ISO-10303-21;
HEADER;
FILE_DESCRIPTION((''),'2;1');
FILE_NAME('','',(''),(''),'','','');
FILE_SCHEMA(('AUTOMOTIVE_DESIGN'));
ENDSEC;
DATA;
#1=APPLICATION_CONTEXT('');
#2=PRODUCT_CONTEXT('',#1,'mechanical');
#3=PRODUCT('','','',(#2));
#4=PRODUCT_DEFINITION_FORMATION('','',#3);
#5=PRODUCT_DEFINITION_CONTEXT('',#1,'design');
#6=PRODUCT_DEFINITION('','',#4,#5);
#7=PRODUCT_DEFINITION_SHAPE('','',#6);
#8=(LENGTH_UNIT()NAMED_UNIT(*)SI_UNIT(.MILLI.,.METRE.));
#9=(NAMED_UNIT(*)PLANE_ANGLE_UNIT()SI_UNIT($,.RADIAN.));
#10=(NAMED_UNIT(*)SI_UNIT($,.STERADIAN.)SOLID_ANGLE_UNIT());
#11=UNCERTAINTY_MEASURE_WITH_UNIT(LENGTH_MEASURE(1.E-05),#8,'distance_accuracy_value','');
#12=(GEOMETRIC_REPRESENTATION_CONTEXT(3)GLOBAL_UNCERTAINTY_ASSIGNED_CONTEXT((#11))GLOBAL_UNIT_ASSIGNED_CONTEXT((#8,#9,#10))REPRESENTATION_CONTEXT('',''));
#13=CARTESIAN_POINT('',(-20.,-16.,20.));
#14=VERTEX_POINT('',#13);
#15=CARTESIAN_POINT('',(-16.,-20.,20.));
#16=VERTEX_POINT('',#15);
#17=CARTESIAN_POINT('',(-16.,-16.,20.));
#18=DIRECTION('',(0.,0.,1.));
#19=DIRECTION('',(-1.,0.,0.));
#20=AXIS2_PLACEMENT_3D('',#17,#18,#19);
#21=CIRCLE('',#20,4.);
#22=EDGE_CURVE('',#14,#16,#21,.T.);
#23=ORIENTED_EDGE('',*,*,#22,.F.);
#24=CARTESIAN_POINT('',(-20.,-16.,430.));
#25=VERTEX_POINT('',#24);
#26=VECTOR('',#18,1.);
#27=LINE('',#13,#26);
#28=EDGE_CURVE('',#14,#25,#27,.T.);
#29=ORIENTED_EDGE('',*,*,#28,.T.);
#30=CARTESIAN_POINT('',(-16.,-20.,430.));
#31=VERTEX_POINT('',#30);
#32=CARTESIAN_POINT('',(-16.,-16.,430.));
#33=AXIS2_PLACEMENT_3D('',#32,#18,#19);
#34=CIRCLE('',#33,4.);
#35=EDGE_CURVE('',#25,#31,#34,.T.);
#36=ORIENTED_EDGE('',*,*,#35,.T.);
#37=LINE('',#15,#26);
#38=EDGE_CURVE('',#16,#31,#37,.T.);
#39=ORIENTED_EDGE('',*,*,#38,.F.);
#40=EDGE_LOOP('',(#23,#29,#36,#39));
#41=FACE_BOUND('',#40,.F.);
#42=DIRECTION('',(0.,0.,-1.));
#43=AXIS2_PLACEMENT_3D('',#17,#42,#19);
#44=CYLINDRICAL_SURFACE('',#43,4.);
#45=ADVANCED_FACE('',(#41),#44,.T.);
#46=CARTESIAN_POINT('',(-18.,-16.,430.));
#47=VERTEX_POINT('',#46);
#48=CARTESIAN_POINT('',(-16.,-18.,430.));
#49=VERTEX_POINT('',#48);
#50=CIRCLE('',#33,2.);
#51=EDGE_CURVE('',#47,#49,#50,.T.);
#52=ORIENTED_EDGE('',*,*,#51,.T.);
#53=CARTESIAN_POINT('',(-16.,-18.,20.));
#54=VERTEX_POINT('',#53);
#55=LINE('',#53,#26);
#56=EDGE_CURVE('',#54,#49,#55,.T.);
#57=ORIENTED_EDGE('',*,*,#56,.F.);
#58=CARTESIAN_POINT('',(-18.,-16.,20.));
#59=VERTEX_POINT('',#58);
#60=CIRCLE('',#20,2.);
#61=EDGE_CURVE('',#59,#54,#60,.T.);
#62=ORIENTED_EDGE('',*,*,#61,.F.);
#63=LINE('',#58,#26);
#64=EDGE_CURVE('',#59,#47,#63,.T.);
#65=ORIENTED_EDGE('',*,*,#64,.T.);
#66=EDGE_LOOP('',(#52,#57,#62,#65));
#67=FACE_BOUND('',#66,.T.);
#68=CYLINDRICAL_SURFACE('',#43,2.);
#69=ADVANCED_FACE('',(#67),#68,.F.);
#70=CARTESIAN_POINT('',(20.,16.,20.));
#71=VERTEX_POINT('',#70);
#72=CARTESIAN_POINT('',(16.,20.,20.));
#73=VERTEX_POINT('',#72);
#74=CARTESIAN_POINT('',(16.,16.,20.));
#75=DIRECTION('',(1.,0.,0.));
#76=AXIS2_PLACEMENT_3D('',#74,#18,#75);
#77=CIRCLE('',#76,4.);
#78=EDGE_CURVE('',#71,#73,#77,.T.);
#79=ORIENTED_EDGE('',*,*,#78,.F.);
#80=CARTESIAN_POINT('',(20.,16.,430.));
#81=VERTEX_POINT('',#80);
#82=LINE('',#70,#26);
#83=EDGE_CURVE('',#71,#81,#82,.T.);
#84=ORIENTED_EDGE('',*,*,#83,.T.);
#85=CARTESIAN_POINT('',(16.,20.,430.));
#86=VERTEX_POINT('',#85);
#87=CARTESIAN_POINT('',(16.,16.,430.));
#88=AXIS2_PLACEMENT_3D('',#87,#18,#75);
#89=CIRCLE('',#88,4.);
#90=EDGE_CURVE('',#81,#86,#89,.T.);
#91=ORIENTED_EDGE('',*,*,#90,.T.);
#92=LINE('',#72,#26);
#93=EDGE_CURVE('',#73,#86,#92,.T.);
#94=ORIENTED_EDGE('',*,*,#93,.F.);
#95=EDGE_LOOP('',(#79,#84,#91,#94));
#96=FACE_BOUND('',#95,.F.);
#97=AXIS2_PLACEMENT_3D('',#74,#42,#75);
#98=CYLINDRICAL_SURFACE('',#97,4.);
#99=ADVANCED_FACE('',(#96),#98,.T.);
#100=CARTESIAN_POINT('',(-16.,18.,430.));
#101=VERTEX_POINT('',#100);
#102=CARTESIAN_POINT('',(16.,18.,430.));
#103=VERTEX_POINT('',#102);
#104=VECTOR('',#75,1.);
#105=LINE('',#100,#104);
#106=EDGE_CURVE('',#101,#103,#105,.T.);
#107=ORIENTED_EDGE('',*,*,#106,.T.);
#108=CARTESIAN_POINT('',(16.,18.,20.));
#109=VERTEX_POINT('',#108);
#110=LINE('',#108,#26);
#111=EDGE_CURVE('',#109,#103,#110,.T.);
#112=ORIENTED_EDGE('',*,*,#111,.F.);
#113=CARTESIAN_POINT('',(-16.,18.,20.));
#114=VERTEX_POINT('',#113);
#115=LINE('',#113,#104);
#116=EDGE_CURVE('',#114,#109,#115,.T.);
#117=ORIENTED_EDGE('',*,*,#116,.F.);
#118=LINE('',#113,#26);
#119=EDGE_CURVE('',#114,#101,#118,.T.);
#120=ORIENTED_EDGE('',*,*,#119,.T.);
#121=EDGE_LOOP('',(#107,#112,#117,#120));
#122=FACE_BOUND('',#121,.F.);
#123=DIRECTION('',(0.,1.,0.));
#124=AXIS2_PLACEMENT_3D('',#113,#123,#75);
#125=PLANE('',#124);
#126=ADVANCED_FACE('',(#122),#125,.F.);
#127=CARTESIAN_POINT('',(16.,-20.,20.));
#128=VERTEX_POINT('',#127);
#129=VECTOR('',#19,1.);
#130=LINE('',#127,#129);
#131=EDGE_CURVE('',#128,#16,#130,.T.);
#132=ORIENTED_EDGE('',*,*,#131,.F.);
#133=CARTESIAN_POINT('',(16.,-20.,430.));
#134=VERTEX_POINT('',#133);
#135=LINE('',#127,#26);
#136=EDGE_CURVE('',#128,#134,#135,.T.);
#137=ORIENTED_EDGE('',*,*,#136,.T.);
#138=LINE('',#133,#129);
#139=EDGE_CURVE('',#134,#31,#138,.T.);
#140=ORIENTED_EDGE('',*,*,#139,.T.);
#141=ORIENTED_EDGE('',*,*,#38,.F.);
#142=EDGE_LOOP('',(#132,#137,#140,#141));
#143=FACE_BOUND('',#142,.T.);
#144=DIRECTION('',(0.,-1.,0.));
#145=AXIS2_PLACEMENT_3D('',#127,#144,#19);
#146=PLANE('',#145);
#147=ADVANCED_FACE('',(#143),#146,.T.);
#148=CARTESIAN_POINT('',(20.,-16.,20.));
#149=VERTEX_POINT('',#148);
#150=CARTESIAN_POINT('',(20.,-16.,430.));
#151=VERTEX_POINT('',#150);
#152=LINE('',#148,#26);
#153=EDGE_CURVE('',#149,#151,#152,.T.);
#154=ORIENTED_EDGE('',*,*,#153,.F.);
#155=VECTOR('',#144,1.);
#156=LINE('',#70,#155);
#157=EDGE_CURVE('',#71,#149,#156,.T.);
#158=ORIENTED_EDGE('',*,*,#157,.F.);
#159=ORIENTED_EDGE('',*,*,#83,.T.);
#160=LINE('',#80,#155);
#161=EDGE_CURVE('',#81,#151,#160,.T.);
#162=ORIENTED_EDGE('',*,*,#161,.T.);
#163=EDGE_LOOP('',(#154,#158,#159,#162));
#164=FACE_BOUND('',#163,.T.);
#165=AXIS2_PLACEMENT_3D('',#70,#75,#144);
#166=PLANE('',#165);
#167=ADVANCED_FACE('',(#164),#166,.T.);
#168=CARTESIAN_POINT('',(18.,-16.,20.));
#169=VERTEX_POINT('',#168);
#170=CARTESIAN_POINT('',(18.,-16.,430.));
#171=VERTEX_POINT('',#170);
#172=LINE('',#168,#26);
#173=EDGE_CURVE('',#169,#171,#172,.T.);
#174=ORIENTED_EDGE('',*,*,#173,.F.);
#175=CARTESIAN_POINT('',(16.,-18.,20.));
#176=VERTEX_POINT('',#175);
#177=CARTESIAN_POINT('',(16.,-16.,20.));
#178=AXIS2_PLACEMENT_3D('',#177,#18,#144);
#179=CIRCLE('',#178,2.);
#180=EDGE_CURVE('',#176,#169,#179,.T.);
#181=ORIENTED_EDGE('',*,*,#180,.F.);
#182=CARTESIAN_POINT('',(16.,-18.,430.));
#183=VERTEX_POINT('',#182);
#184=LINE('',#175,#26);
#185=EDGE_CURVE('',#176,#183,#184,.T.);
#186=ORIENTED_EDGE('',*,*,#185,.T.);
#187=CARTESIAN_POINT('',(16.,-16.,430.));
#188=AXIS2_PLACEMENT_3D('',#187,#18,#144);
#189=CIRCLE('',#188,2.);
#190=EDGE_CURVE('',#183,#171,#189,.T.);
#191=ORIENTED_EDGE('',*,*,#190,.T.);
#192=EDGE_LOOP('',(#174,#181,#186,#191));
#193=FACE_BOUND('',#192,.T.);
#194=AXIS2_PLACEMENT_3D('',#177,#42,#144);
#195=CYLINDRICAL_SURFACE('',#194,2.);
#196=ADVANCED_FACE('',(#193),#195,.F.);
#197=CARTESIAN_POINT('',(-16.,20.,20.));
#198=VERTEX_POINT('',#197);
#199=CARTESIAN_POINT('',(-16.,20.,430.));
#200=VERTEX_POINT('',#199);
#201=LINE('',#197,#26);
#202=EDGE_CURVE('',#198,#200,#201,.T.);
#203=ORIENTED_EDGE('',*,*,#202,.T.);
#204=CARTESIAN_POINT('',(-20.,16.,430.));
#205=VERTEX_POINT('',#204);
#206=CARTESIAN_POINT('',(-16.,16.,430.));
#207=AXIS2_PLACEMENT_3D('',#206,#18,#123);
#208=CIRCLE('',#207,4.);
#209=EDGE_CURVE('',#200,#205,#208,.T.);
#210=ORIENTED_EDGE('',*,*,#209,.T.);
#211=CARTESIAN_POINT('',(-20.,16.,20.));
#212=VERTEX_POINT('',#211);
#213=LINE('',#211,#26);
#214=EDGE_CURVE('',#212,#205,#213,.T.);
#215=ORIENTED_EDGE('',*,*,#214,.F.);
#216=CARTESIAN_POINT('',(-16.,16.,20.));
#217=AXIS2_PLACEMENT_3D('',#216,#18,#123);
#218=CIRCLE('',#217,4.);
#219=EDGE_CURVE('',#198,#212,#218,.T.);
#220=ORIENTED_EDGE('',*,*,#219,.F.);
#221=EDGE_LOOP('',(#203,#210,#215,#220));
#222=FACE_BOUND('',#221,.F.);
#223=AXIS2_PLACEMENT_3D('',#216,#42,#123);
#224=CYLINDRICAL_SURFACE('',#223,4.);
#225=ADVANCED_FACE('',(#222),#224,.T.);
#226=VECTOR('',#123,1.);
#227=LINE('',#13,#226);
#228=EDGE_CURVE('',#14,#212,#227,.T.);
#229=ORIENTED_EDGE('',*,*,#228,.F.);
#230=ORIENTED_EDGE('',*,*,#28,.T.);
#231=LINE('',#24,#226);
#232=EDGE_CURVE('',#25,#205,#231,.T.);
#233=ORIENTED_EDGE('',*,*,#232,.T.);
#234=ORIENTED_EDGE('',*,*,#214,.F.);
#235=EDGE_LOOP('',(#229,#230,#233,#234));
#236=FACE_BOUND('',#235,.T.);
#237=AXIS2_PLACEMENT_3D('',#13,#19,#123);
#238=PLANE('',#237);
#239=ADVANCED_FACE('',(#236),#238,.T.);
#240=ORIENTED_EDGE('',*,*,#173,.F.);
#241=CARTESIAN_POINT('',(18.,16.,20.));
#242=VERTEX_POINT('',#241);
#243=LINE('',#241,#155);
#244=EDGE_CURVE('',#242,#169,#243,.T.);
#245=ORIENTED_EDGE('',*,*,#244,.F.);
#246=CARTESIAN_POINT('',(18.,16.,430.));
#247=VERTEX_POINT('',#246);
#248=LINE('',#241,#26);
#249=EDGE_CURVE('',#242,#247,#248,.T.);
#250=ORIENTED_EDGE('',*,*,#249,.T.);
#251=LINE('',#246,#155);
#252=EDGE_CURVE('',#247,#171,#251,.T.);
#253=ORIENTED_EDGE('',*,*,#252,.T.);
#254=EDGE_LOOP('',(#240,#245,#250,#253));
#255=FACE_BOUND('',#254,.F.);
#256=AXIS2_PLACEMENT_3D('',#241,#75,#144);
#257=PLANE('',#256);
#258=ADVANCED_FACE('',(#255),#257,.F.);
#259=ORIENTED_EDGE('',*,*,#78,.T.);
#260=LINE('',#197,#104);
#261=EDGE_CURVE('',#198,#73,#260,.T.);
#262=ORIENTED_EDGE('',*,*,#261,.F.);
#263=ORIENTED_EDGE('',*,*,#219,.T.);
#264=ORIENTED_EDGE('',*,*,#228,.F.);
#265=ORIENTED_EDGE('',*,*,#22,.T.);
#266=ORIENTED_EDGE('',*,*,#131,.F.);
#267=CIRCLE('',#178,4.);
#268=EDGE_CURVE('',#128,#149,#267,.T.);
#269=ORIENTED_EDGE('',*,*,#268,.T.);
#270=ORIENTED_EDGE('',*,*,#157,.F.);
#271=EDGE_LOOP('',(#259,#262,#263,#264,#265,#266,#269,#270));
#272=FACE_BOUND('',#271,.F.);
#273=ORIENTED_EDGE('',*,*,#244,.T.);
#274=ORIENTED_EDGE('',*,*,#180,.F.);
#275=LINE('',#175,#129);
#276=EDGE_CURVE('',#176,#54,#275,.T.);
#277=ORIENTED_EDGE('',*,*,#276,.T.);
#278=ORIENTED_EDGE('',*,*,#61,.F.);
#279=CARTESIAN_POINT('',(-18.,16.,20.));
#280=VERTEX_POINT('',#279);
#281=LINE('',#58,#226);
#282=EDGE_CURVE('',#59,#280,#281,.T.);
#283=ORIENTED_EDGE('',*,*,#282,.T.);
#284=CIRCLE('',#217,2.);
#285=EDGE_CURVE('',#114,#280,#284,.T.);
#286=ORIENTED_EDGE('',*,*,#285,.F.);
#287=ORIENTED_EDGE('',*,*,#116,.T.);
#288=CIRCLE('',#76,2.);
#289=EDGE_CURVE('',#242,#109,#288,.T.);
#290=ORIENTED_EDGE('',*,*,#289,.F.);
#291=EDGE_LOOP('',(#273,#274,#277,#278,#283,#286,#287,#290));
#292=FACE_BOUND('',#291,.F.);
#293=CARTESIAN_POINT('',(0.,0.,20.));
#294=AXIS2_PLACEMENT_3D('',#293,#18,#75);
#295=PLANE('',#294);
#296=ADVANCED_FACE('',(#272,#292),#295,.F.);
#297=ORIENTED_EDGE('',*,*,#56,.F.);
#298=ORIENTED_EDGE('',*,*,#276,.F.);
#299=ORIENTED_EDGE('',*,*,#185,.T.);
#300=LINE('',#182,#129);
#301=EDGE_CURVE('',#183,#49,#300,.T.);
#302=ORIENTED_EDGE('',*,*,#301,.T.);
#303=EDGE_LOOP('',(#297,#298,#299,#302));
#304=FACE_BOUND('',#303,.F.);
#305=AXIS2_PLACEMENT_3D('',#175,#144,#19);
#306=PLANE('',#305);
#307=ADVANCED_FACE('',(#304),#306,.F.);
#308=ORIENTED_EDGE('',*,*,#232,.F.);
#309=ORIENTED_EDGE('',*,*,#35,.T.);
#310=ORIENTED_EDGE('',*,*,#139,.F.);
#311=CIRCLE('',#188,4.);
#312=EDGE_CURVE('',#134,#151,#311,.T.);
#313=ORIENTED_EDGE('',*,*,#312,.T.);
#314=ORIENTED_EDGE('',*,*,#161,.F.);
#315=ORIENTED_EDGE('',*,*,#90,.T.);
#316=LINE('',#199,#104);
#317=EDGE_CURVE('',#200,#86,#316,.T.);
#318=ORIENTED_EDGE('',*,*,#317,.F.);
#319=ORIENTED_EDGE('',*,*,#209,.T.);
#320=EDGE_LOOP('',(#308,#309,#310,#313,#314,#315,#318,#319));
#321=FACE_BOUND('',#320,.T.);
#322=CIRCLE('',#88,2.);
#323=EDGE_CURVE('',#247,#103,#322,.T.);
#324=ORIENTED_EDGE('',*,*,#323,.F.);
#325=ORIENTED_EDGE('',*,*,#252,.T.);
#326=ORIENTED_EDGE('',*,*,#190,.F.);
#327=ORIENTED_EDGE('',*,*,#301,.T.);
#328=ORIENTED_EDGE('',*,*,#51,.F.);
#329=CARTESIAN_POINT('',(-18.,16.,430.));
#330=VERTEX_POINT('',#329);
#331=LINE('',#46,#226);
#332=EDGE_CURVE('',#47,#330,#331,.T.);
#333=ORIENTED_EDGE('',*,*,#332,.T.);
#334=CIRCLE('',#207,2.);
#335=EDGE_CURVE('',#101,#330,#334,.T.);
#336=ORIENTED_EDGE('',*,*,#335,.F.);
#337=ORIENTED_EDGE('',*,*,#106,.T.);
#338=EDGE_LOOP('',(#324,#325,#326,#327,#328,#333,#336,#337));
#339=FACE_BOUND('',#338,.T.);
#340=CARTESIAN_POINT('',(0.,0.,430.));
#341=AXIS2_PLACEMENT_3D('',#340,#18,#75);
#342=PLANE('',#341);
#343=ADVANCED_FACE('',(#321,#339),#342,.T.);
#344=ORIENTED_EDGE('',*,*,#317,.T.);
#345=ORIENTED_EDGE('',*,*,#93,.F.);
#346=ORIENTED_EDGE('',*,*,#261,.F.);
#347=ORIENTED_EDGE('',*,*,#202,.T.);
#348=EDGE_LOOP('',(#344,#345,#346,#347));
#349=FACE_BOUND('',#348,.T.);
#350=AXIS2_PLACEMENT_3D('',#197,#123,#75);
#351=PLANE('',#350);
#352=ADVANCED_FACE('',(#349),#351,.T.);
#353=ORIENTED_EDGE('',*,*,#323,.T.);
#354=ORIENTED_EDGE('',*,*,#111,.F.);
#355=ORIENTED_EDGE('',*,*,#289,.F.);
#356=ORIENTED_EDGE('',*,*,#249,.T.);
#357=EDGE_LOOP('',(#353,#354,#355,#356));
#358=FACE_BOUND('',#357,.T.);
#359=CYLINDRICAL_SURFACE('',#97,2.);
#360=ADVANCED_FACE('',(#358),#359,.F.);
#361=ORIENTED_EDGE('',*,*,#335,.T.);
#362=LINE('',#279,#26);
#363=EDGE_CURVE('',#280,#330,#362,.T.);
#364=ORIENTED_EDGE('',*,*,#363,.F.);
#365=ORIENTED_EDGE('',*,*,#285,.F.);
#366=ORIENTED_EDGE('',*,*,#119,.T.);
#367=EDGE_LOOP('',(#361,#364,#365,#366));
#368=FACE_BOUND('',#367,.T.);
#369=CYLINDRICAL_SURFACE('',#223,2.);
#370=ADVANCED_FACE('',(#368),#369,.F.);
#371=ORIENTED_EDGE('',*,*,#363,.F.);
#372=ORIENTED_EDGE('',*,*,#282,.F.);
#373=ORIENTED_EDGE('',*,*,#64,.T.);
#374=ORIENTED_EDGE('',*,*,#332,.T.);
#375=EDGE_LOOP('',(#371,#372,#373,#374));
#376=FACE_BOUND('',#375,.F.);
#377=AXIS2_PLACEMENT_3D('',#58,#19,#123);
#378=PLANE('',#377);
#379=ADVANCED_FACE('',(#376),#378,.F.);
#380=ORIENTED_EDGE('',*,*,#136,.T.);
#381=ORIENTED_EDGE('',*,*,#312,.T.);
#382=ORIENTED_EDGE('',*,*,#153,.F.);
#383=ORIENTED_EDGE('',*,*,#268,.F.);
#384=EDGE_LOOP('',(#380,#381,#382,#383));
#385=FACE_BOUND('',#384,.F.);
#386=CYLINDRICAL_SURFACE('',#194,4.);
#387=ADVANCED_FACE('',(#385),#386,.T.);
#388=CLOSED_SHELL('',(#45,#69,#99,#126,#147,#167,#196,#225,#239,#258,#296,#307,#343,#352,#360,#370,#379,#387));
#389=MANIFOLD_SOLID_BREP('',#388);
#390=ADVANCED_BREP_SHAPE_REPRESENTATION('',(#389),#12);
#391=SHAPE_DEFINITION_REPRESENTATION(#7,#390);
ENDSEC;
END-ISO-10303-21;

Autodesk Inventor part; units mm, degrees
ref_plane "YZ Plane" through (0, 0, 0) normal (1, 0, 0) x (0, 1, 0)
ref_plane "Start Plane" through (0, 0, 20) normal (0, 0, 1) x (1, 0, 0)
ref_plane "End Plane" through (0, 0, 430) normal (0, 0, 1) x (1, 0, 0)
sketch "Sketch" plane through (0, 0, 0) normal (0, 0, 1) x (1, 0, 0)
  line L0 (-20, -16) -> (-20, 16)
  line L1 (-16, 20) -> (16, 20)
  line L2 (20, 16) -> (20, -16)
  line L3 (16, -20) -> (-16, -20)
  arc A0 (-20, -16) -> (-16, -20) centre (-16, -16) ccw
  arc A1 (20, 16) -> (16, 20) centre (16, 16) ccw
  arc A2 (-16, 20) -> (-20, 16) centre (-16, 16) ccw
  arc A3 (16, -20) -> (20, -16) centre (16, -16) ccw
  arc A4 (-16, 18) -> (-18, 16) centre (-16, 16) ccw
  line L4 (-16, 18) -> (16, 18)
  arc A5 (18, 16) -> (16, 18) centre (16, 16) ccw
  line L5 (18, 16) -> (18, -16)
  arc A6 (16, -18) -> (18, -16) centre (16, -16) ccw
  line L6 (16, -18) -> (-16, -18)
  arc A7 (-18, -16) -> (-16, -18) centre (-16, -16) ccw
  line L7 (-18, -16) -> (-18, 16)
  line L8 (0, 29.1598) -> (0, -29.1598) construction
  line L9 (-29.1598, 0) -> (29.1598, 0) construction
  dimension "d7" = 4
  dimension "d9" = 40
  dimension "d11" = 40
  dimension "d12" = 2
  dimension "d15" = 20
  dimension "d16" = 20
extrude "Body" add sketch "Sketch" along normal up to surface (410 mm away) from surface at 20
sketch "Sketch3" plane through (0, 0, 0) normal (0, 0, 1) x (1, 0, 0)
  line L0 (0, 0) -> (10, 0)
ref_plane "Work Plane3" through (0, 0, 0) normal (0, -1, 0) x (1, 0, 0)
sketch "Sketch4" plane through (0, 0, 0) normal (0, -1, 0) x (1, 0, 0)
  line L0 (-2, 20) -> (12, 20) projected
  line L1 (-2, 430) -> (12, 430) projected
  dimension "d18" = 410
equation "\"d7\" = G_IR"
equation "\"d9\" = G_W"
equation "\"d11\" = G_H"
equation "\"d12\" = G_T"
equation "\"d15\" = 0.5 * d9"
equation "\"d16\" = 0.5 * d11"
equation "\"d3\" = G_L"
equation "\"G_W\" = 40"
equation "\"G_H\" = 40"
equation "\"G_T\" = 2"
equation "\"G_IR\" = 4"
equation "\"G_L\" = d18"
properties part number "ISO 10799-2 - 40x40x2 - 410" material "Steel, Mild"
